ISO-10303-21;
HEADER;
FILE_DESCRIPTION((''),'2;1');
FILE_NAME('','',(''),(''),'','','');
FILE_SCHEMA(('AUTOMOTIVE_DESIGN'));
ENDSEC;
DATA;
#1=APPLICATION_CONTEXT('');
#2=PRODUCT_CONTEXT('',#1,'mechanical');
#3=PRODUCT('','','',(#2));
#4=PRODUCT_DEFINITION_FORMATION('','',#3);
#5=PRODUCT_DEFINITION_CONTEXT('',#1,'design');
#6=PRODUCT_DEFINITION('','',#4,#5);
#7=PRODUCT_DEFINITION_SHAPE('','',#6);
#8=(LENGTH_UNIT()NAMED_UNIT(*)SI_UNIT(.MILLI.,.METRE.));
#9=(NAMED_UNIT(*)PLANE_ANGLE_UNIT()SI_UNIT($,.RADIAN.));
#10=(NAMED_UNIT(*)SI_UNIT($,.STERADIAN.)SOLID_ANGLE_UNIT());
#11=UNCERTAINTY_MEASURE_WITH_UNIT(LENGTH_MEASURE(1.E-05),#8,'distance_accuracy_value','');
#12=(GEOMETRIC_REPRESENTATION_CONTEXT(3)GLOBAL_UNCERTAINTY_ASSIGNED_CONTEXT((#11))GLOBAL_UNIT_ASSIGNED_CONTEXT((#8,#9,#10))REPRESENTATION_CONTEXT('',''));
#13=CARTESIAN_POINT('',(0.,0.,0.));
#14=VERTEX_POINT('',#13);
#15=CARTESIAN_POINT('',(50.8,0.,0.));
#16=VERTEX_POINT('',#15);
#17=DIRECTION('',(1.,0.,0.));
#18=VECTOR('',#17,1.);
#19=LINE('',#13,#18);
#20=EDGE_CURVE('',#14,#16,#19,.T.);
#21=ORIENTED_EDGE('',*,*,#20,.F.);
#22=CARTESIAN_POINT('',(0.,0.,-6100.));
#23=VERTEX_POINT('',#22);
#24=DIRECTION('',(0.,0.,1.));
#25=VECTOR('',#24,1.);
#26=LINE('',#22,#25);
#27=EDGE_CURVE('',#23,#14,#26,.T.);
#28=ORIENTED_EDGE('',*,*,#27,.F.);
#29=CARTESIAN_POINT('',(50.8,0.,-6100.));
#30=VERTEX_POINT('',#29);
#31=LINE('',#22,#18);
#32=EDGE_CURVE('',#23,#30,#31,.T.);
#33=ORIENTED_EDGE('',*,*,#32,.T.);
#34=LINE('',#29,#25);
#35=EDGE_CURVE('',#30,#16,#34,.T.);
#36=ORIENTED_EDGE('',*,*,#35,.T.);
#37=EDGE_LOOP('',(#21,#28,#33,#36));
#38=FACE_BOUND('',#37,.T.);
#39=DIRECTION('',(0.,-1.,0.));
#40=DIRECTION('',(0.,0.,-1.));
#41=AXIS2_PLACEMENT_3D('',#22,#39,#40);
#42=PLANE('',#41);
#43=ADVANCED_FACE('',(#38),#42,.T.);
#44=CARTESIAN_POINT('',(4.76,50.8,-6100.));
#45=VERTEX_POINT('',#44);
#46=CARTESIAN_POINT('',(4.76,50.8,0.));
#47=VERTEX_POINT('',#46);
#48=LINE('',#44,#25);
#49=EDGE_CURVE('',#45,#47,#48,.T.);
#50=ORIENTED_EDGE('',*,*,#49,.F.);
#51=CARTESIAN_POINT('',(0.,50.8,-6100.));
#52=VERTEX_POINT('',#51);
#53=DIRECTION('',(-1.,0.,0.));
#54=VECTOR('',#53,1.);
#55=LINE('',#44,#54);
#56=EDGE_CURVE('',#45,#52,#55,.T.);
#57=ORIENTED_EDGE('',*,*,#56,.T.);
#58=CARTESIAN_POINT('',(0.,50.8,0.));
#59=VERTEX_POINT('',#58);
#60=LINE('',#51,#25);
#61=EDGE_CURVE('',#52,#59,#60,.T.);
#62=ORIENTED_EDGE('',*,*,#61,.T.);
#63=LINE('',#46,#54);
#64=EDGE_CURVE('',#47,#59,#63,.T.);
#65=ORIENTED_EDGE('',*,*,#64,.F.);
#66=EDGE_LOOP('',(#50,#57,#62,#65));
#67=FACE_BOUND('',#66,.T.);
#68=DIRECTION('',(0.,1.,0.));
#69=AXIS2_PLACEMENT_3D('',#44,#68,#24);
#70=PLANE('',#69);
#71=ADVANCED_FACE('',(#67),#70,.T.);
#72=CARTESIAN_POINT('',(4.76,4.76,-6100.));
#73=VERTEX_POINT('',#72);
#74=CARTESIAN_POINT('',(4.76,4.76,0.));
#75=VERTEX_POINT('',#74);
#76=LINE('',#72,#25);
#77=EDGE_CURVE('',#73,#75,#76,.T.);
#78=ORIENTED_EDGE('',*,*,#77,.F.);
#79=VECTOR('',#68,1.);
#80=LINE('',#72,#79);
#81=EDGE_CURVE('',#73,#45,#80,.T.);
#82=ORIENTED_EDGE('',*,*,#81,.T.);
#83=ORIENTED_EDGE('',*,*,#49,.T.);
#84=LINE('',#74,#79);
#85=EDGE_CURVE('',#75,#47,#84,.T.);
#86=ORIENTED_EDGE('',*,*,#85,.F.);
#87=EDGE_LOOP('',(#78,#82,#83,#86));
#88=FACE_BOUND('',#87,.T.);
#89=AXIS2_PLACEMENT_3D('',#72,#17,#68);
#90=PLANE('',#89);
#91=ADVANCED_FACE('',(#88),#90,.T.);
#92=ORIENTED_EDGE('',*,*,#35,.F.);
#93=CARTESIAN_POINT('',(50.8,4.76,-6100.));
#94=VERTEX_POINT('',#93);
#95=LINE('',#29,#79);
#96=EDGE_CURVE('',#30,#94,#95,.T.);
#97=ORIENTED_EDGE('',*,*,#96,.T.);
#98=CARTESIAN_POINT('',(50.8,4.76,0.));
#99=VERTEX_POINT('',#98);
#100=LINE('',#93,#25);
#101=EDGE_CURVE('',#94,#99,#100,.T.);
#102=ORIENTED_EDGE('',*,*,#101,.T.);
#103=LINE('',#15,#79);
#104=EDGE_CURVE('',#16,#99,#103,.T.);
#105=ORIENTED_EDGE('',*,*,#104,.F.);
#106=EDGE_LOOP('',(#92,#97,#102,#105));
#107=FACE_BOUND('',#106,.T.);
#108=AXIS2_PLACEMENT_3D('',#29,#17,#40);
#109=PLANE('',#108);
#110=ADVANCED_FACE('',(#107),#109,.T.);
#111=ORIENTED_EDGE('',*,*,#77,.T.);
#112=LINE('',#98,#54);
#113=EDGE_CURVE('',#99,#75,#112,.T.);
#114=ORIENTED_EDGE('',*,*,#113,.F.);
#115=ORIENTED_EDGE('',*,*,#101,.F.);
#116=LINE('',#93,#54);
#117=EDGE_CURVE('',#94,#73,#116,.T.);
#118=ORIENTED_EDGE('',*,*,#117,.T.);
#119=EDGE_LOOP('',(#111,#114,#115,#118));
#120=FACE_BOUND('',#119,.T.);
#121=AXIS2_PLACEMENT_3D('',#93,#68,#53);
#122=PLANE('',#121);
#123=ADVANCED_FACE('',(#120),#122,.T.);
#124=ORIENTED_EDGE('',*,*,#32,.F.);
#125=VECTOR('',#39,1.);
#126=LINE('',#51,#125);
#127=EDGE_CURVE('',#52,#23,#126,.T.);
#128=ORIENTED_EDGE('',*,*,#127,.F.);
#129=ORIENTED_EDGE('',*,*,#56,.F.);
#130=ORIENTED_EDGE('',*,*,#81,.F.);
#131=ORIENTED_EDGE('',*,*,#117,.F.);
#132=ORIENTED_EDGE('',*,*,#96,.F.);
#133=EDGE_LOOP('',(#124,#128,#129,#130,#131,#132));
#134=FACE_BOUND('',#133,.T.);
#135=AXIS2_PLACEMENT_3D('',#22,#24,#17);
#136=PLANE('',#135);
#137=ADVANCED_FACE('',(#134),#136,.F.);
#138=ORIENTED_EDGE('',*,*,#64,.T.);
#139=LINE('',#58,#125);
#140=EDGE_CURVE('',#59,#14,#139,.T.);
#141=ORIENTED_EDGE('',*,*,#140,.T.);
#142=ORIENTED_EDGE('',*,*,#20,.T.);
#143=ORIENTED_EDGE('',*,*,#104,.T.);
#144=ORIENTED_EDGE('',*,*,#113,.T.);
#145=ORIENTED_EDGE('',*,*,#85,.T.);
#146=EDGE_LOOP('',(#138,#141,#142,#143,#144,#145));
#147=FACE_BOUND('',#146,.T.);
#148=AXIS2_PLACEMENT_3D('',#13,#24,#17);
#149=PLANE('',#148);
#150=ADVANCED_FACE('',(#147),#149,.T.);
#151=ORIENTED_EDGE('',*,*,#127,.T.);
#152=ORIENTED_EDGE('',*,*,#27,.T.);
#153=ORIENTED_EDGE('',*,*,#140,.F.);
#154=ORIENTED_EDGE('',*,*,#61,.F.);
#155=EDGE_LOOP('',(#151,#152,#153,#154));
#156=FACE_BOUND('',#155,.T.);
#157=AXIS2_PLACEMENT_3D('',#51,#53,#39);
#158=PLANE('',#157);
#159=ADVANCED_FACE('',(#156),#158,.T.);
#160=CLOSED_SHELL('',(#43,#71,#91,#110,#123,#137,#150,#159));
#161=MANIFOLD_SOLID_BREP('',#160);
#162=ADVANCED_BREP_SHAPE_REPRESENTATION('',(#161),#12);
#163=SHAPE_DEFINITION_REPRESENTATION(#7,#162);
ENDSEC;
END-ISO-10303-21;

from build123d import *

# Parameters (mm, degrees)
SALIENTE_EXTRUIR1_DEPTH = 6100


with BuildPart() as part:
    # Croquis1 → Saliente-Extruir1 (new body)
    with BuildSketch(Plane.XY):
        Polygon((0, 50.8), (0, 0), (50.8, 0), (50.8, 4.76), (4.76, 4.76), (4.76, 50.8), align=None)
    extrude(amount=-SALIENTE_EXTRUIR1_DEPTH)


solid = part.part
